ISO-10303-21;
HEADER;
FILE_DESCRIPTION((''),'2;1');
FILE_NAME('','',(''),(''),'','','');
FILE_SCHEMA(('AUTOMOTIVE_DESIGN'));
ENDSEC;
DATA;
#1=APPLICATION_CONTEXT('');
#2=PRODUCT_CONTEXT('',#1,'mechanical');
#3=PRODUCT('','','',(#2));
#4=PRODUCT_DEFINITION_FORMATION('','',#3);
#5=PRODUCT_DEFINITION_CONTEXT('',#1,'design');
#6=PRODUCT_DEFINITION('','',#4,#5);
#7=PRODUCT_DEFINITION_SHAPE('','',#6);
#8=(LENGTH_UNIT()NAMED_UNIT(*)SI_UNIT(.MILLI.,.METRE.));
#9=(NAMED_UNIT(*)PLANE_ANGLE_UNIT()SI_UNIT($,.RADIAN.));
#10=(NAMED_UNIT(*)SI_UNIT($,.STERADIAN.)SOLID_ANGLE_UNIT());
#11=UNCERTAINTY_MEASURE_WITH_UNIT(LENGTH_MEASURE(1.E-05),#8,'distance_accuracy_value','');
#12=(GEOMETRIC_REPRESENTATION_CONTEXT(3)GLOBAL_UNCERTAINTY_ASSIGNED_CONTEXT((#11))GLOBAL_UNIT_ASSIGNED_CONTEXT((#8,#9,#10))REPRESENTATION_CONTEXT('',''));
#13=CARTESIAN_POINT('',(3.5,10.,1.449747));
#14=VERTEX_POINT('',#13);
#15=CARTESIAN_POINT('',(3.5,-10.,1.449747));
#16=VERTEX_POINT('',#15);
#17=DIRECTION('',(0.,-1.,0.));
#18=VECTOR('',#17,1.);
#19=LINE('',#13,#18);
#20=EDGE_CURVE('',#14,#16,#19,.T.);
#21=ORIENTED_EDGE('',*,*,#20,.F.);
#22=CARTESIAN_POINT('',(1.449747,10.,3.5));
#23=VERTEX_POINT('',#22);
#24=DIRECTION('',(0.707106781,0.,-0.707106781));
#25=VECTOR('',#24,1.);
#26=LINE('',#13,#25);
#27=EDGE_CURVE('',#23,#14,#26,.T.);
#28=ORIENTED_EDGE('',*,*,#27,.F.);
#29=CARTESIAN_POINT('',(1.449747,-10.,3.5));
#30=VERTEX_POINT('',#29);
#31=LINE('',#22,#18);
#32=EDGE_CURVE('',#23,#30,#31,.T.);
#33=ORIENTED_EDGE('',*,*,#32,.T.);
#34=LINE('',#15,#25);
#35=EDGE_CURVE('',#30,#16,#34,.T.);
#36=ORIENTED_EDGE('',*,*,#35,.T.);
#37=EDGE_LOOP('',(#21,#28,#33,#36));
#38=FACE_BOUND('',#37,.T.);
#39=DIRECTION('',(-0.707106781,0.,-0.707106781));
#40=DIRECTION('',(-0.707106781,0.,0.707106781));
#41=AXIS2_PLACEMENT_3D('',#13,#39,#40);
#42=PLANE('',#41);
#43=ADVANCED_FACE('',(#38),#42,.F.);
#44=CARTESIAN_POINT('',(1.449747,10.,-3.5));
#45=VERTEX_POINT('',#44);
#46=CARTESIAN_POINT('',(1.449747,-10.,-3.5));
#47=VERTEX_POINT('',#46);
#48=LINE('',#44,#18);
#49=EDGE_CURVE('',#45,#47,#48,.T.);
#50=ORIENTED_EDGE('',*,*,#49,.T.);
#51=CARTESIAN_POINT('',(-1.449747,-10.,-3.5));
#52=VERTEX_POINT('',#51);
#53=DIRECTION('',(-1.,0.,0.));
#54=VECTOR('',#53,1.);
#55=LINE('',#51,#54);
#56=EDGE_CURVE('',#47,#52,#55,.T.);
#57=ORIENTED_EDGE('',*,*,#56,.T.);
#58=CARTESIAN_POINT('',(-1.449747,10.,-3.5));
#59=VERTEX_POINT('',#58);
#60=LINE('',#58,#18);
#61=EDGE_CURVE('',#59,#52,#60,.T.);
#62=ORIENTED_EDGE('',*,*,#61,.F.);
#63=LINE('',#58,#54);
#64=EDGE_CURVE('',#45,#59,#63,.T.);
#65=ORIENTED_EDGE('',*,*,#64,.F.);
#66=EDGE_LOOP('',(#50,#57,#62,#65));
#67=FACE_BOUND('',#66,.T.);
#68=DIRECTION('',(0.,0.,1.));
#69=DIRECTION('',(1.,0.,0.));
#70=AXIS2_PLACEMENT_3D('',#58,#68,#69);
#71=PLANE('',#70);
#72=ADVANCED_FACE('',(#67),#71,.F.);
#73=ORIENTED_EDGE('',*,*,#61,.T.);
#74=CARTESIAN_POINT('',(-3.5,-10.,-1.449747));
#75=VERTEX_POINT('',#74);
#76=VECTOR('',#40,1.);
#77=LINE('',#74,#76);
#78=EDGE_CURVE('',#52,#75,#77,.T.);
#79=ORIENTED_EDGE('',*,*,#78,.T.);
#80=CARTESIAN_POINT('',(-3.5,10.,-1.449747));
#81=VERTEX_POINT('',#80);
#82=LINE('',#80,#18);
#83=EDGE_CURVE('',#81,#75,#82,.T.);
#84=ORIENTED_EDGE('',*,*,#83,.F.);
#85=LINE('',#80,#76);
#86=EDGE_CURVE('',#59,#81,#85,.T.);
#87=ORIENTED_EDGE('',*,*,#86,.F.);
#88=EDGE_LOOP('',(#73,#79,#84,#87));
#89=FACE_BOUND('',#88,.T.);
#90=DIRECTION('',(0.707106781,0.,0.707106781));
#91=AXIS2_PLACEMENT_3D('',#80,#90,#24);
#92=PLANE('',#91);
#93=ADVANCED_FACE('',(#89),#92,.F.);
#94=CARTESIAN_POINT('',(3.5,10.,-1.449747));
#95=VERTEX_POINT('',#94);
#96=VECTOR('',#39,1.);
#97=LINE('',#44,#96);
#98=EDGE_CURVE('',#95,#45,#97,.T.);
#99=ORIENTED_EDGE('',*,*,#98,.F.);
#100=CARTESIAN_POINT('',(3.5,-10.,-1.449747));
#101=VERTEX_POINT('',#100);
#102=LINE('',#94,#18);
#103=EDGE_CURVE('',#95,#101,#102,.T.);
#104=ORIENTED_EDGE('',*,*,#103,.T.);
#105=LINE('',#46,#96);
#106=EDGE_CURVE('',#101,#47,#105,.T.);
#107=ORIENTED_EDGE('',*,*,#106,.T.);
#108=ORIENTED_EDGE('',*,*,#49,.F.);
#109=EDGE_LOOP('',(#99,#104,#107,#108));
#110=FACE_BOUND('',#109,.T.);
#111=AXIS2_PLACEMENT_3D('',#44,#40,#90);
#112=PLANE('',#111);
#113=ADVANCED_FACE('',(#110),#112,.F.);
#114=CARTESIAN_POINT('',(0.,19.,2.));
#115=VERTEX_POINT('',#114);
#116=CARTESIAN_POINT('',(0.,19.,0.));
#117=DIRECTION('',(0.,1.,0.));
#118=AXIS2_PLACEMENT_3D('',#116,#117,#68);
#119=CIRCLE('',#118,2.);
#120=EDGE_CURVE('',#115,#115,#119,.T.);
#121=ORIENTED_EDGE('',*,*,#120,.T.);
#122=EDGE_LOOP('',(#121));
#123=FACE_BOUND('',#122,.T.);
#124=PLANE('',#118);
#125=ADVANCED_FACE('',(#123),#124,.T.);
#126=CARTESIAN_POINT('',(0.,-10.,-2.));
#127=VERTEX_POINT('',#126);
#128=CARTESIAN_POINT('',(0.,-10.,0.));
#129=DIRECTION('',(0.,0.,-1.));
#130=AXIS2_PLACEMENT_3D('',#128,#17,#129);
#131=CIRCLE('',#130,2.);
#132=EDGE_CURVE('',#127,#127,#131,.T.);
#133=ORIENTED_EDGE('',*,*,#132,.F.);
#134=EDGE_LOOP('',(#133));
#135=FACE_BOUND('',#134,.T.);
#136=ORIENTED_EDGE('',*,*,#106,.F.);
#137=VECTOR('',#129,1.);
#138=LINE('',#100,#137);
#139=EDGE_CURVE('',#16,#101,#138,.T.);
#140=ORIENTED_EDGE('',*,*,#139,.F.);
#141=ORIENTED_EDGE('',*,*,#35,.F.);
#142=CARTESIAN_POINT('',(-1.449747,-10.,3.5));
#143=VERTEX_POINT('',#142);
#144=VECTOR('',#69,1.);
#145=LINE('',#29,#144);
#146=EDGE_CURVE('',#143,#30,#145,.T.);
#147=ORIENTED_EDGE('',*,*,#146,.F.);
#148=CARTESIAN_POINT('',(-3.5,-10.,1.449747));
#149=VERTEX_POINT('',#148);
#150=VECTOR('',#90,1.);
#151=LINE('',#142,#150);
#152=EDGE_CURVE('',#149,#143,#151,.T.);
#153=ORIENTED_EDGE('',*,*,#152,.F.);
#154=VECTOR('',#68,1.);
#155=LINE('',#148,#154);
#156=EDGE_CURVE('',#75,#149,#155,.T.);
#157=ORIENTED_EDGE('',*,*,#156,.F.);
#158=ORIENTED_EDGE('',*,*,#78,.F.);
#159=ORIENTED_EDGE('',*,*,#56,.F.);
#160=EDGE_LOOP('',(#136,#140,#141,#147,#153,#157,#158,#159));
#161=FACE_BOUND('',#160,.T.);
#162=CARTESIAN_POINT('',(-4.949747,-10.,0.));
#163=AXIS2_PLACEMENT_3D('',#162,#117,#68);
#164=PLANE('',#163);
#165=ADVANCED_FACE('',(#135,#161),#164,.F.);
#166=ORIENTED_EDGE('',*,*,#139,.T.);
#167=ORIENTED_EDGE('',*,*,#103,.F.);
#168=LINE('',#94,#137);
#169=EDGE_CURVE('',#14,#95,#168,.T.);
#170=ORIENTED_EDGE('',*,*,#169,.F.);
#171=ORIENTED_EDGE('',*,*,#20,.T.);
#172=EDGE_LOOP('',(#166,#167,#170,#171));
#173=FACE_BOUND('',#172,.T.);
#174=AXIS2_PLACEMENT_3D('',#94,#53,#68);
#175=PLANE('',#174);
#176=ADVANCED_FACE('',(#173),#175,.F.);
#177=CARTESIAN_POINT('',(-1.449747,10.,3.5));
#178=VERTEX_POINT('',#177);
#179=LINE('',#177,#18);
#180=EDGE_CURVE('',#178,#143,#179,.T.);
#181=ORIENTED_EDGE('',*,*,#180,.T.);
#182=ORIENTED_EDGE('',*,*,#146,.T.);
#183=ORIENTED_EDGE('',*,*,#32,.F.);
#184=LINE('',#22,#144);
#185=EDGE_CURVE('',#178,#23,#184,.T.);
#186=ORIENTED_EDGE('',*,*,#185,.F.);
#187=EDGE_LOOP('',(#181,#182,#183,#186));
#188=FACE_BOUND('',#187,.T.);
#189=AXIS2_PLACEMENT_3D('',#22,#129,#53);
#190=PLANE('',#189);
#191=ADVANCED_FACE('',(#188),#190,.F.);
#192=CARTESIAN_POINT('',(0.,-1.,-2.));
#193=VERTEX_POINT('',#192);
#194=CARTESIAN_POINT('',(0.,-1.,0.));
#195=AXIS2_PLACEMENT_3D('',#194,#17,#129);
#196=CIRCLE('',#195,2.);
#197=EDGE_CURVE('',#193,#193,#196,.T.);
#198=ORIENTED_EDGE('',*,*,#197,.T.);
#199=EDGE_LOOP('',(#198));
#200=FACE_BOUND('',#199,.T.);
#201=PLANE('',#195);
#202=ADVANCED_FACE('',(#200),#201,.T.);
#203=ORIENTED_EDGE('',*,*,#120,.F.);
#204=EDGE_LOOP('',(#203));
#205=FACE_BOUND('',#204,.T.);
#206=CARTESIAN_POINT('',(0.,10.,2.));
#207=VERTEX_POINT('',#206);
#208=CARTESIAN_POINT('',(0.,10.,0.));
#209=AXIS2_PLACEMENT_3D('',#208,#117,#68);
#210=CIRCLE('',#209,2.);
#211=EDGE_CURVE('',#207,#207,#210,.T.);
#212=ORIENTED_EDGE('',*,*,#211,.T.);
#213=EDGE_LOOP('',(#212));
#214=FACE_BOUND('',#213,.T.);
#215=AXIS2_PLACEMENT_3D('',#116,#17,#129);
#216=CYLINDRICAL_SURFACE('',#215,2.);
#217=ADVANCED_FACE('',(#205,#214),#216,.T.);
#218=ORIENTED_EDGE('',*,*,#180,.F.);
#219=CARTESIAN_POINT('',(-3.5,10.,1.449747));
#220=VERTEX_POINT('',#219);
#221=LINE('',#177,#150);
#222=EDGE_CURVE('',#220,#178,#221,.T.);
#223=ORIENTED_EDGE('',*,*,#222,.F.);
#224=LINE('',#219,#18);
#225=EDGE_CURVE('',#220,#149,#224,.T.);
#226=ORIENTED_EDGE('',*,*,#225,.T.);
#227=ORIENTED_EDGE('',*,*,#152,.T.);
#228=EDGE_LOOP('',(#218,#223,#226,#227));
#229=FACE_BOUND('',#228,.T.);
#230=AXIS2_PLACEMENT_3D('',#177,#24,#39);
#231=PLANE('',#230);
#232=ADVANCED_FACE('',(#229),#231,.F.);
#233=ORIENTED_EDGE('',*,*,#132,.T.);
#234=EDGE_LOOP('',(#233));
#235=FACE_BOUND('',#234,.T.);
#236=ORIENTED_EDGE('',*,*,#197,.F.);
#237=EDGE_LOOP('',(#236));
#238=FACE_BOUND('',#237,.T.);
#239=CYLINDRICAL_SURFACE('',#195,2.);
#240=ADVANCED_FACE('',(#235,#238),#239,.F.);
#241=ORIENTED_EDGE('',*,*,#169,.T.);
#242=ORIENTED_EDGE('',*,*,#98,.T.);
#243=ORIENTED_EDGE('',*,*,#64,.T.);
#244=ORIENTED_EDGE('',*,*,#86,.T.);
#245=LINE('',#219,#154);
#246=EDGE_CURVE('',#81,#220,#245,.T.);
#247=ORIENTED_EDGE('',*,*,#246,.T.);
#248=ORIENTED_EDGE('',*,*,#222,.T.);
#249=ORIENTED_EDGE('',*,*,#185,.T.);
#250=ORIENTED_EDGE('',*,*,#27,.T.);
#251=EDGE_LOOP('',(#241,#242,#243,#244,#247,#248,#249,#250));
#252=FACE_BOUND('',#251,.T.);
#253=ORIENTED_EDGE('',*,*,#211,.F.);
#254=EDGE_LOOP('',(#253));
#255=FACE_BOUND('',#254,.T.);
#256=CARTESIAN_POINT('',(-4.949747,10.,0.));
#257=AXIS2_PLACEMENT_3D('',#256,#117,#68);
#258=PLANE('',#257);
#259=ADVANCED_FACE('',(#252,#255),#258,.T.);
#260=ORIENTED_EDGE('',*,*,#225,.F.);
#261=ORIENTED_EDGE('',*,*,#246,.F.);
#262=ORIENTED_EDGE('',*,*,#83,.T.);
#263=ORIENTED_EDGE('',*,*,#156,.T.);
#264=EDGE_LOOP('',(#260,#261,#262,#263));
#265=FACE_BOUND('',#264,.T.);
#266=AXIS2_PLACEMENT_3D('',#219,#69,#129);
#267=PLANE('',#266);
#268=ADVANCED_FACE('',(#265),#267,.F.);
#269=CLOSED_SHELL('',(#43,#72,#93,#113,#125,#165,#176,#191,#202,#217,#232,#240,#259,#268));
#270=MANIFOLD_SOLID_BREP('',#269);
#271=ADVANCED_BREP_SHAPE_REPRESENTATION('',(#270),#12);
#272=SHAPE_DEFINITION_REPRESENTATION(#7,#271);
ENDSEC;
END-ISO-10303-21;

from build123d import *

# Parameters (mm, degrees)
EXTRUSION1_DEPTH        = 10
ESQUISSE2_R             = 2
EXTRUSION2_DEPTH        = 9
ESQUISSE3_R             = 2
ENL_V_MAT_EXTRU_1_DEPTH = 9


with BuildPart() as part:
    # Esquisse1 → Extrusion1 (new, symmetric)
    with BuildSketch(Plane(origin=(0, 0, 0), x_dir=(1, 0, 0), z_dir=(0, 1, 0))):
        Polygon((-1.449747468, 3.5), (1.449747468, 3.5), (3.5, 1.449747468), (3.5, -1.449747468), (1.449747468, -3.5), (-1.449747468, -3.5), (-3.5, -1.449747468), (-3.5, 1.449747468), align=None)
    extrude(amount=EXTRUSION1_DEPTH, both=True)

    # Esquisse2 → Extrusion2 (add)
    with BuildSketch(Plane(origin=(0, 10, 0), x_dir=(1, 0, 0), z_dir=(0, 1, 0))):
        with Locations(Location((0, 0, 0), (0, 0, 270))):
            Circle(ESQUISSE2_R)
    extrude(amount=EXTRUSION2_DEPTH)

    # Esquisse3 → Enlèv. mat.-Extru.1 (cut)
    with BuildSketch(Plane.XZ.offset(10)):
        with Locations(Location((0, 0, 0), (0, 0, 90))):
            Circle(ESQUISSE3_R)
    extrude(amount=-ENL_V_MAT_EXTRU_1_DEPTH, mode=Mode.SUBTRACT)


solid = part.part
